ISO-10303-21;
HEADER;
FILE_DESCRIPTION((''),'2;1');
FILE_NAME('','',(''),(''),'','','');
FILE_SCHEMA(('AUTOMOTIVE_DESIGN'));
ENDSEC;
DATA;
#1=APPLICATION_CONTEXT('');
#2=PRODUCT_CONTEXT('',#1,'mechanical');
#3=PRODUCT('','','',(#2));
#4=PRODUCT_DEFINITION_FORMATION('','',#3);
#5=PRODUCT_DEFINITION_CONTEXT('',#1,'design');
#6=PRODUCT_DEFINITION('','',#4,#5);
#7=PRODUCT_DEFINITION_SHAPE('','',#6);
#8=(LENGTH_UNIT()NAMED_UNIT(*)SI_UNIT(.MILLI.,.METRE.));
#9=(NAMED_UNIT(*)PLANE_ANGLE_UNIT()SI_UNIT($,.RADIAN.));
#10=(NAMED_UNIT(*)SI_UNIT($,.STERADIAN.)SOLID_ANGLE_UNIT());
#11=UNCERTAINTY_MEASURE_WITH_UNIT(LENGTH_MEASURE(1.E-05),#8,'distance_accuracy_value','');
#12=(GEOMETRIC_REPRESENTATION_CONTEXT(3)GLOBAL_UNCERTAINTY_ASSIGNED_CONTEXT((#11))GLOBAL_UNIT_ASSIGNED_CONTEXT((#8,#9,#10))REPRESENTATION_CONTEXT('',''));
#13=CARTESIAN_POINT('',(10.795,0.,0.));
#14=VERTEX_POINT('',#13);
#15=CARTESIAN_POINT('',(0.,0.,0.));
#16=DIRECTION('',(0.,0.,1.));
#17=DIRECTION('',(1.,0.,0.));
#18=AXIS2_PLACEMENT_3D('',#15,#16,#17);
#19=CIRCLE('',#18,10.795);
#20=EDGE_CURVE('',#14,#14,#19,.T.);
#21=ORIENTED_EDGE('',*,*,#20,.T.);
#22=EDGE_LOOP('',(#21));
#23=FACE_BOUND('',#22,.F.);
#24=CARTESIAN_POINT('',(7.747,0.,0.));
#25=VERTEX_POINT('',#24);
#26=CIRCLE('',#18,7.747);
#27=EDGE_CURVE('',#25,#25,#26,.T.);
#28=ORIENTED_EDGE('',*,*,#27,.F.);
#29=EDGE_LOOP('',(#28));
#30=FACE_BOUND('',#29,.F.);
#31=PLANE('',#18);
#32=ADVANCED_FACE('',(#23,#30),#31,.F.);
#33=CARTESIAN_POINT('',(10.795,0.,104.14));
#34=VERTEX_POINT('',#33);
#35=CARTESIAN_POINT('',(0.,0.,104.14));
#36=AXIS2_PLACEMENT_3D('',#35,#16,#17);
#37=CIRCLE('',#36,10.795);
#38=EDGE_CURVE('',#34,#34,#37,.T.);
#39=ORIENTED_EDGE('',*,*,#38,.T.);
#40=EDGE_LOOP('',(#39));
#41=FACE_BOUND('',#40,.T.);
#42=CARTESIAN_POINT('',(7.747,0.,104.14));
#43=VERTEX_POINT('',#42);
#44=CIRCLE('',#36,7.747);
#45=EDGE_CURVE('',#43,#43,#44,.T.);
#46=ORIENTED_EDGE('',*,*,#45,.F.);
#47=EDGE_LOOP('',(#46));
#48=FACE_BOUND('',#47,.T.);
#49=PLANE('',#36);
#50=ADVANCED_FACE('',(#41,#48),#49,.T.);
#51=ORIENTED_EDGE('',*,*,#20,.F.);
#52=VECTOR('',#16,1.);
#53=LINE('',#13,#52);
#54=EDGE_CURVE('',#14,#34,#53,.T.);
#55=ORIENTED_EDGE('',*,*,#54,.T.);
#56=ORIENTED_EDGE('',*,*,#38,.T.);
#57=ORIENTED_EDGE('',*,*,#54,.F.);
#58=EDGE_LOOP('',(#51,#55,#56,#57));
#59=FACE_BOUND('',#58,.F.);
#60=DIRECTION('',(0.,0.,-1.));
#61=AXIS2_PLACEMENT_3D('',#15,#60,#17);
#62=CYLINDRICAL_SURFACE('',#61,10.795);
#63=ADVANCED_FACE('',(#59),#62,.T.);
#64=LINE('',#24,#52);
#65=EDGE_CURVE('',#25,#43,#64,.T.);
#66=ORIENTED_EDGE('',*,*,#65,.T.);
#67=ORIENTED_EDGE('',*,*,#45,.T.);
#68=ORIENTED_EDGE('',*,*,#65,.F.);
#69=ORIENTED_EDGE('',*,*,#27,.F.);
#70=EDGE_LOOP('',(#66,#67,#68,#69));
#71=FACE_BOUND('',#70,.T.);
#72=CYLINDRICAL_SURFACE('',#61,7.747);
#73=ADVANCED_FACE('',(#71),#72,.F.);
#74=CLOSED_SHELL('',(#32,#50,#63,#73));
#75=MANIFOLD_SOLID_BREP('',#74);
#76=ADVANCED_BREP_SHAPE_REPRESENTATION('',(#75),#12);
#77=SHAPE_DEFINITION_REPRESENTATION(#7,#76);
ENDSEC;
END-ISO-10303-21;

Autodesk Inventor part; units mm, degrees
ref_plane "YZ Plane" through (0, 0, 0) normal (1, 0, 0) x (0, 1, 0)
ref_plane "XZ Plane" through (0, 0, 0) normal (0, 1, 0) x (-1, 0, 0)
ref_plane "XY Plane" through (0, 0, 0) normal (0, 0, 1) x (1, 0, 0)
sketch "Sketch1" plane through (0, 0, 0) normal (0, 0, 1) x (1, 0, 0)
  circle A0 centre (0, 0) radius 7.747
  circle A1 centre (0, 0) radius 10.795
  dimension "d0" = 21.59
  dimension "d2" = 15.494
extrude "Extrusion1" add sketch "Sketch1" along normal blind 104.14
properties part number "2.75 Pipe" material "PVC-Piping"
